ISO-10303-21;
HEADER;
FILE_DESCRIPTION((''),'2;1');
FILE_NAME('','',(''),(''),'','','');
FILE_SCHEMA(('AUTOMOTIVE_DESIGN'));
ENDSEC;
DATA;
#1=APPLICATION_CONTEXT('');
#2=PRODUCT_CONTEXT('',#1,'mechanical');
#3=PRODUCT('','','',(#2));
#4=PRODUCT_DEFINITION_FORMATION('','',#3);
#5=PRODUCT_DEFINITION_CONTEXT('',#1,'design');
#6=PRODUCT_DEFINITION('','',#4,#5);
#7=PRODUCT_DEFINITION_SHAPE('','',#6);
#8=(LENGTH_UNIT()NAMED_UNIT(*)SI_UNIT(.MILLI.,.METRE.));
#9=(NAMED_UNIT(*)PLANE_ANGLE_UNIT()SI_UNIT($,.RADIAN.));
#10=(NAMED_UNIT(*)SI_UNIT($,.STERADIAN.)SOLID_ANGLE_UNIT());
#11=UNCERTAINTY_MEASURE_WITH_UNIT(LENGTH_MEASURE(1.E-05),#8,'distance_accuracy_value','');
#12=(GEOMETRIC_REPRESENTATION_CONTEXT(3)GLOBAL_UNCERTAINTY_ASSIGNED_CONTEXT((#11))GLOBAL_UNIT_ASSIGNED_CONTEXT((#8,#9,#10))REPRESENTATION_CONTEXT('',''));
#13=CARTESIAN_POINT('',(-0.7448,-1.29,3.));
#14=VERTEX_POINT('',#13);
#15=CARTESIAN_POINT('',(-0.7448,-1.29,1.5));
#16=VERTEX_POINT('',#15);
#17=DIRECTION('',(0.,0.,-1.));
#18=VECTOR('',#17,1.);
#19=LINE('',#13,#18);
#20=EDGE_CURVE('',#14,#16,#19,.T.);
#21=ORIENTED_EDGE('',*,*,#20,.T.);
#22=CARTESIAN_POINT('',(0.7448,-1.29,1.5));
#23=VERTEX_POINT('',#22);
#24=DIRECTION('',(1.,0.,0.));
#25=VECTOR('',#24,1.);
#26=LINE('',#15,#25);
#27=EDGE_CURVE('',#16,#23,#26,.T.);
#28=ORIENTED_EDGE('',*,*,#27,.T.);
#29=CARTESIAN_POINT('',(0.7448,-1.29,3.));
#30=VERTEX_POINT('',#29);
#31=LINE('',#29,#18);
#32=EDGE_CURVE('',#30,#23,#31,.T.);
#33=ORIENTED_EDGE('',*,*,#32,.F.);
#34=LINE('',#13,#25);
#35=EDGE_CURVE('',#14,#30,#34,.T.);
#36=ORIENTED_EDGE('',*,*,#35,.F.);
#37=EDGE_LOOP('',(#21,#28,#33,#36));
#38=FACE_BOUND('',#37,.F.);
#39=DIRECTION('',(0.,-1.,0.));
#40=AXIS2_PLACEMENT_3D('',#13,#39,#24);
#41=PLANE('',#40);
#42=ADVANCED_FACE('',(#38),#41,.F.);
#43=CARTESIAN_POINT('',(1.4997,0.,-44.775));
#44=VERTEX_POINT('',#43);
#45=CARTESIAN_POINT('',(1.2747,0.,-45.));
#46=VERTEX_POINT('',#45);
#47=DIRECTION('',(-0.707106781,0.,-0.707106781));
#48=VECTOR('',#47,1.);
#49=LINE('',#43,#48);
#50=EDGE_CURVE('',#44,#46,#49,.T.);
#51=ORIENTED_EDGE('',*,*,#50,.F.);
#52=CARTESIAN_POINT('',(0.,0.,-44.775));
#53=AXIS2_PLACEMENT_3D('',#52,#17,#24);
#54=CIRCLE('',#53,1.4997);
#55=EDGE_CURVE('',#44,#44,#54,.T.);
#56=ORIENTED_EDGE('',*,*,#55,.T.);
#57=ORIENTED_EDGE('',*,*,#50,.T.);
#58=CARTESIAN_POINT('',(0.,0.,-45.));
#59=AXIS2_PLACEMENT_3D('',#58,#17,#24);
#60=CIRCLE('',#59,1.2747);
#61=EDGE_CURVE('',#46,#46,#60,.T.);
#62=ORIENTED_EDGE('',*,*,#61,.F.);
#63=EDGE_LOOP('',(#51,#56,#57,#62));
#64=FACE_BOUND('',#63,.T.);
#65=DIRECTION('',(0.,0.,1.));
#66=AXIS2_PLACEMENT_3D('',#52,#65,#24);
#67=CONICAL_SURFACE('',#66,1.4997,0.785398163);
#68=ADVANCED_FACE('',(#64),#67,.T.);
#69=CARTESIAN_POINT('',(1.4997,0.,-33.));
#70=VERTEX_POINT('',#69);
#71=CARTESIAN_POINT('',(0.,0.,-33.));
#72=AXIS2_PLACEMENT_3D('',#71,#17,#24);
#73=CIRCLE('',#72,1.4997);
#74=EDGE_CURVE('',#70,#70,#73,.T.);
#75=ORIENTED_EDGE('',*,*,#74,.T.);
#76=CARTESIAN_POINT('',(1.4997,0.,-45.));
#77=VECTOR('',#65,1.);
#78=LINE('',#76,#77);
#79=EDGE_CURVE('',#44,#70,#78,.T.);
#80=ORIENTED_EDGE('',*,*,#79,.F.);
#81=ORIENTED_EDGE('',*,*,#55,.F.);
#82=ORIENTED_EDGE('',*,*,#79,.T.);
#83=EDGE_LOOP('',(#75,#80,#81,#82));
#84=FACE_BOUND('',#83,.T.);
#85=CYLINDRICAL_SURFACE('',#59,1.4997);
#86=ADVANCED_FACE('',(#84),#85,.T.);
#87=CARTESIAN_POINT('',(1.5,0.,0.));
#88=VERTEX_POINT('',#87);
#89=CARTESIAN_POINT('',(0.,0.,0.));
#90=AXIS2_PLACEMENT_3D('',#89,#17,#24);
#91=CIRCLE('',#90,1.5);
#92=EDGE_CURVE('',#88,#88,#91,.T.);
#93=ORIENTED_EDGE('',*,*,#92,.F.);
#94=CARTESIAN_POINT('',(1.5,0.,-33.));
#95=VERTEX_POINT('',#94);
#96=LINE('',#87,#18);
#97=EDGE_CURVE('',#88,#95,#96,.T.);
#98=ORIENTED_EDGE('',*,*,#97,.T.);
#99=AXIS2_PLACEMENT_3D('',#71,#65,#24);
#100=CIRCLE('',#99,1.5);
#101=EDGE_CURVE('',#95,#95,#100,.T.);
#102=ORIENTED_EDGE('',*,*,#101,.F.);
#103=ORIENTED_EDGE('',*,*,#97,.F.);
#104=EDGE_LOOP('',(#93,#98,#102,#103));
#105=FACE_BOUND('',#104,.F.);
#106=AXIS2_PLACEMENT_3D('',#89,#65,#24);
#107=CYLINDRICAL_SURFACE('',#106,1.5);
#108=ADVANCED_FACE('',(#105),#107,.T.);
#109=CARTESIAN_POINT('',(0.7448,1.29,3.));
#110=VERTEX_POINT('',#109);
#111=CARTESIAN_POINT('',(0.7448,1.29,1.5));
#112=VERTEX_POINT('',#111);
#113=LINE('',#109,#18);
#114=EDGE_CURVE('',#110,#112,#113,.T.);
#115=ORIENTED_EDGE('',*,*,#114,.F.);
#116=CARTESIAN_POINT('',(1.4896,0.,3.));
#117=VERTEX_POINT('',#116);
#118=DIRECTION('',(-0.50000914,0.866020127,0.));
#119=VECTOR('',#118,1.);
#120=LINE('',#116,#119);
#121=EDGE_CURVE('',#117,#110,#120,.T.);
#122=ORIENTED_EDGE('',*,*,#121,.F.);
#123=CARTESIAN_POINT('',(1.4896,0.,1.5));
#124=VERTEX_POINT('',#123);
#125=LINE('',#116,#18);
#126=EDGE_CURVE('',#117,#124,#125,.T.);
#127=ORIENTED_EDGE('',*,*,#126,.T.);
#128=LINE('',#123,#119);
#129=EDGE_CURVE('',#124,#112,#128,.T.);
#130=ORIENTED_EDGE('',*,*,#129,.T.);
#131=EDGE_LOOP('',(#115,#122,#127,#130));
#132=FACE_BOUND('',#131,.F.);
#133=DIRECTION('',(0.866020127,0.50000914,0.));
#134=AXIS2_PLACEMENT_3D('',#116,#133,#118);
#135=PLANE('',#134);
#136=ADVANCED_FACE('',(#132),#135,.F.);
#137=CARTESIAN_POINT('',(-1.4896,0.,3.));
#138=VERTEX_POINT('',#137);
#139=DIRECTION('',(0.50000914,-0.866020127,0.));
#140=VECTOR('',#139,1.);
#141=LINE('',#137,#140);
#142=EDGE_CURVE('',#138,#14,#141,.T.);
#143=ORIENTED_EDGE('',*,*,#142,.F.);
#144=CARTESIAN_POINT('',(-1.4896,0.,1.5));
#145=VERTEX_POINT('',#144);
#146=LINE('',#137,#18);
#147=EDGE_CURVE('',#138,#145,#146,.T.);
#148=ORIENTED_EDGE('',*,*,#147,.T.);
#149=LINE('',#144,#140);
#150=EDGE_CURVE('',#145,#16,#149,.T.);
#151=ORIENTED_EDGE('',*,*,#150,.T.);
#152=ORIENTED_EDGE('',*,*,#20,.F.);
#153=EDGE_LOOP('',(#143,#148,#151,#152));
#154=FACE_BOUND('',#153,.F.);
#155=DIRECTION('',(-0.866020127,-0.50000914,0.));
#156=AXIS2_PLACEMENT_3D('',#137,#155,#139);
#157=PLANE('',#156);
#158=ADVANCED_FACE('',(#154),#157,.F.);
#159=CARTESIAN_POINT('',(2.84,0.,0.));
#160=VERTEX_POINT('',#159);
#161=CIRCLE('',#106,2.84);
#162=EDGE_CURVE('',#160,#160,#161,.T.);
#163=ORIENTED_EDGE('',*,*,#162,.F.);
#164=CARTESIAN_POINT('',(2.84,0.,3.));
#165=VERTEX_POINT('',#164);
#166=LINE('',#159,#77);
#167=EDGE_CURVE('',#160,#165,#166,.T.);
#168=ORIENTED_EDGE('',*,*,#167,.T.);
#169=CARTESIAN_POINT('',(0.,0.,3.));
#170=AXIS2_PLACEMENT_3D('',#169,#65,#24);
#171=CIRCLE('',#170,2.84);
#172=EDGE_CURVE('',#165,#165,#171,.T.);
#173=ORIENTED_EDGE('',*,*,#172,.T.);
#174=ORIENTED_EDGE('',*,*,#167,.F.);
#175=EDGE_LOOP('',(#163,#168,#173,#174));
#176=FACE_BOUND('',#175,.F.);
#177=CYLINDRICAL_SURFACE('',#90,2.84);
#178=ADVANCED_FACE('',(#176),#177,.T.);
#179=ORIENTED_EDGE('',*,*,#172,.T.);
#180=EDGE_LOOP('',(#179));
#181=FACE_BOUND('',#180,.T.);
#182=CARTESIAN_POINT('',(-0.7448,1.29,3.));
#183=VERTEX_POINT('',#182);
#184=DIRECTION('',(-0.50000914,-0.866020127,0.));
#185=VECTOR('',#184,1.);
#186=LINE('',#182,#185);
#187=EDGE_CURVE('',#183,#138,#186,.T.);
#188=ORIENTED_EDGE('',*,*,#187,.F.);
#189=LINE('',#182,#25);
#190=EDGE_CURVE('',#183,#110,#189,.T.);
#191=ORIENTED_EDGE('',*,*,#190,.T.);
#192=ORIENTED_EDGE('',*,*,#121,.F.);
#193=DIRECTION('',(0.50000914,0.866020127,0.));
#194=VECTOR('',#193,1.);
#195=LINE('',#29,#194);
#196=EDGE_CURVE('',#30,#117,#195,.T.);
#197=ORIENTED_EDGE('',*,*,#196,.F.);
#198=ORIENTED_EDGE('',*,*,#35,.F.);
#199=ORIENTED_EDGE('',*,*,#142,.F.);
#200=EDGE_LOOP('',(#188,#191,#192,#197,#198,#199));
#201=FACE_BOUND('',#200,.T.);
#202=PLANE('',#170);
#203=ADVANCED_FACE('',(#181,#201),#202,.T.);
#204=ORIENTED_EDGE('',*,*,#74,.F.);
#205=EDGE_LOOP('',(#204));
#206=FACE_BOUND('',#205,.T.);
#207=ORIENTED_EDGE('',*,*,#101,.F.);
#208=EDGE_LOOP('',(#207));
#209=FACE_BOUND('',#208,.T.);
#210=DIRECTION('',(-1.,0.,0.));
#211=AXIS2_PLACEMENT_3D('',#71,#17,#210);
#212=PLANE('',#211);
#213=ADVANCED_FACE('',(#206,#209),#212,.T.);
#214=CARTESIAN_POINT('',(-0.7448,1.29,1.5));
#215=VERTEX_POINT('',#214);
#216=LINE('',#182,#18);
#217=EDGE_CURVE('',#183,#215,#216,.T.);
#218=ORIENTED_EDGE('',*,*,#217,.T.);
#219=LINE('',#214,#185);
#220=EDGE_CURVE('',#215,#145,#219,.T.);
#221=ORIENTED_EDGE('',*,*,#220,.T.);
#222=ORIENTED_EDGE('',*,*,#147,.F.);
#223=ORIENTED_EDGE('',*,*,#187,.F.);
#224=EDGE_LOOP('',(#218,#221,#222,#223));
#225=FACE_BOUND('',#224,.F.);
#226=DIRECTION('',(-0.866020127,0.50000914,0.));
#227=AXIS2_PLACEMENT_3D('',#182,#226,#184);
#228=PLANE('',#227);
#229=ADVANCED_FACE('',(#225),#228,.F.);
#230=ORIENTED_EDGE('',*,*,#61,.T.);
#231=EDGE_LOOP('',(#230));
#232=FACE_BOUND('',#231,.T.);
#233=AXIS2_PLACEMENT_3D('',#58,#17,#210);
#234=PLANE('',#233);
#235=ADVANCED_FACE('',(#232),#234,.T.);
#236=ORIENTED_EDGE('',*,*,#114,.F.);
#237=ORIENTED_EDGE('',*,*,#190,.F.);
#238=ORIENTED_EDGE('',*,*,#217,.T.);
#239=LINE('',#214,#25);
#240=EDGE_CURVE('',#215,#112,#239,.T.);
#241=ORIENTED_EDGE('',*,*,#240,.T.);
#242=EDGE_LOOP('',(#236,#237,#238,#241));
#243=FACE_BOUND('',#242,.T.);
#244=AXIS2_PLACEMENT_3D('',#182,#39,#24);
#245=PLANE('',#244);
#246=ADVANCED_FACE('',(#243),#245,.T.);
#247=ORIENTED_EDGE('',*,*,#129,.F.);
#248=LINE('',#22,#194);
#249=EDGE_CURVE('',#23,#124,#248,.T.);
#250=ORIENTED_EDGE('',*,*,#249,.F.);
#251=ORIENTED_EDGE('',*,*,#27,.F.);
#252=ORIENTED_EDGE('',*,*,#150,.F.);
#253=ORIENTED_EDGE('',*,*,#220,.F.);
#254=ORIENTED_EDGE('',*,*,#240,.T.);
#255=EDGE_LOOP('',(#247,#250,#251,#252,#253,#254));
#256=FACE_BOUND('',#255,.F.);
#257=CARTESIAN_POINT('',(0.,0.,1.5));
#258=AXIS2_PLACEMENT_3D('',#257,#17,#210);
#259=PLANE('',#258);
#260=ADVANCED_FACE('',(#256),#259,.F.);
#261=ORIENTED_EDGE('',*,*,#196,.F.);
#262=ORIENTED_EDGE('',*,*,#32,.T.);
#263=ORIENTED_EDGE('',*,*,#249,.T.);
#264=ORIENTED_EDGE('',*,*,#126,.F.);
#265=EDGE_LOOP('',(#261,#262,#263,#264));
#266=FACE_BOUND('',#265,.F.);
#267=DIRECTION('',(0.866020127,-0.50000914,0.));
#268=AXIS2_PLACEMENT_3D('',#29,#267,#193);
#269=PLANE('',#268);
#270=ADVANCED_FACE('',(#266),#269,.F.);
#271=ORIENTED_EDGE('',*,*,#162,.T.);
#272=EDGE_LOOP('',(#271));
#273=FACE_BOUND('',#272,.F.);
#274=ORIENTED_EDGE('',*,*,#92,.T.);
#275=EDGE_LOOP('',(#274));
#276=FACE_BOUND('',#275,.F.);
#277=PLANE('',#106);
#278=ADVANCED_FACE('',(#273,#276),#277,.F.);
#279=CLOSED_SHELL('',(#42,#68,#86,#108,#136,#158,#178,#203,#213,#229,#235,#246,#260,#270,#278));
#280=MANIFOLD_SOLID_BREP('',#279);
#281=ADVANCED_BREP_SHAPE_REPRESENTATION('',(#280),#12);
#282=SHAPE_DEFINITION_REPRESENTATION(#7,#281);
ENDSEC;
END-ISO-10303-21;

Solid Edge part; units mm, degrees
sketch "Sketch1" plane through (0, 0, 0) normal (0, 0, 1) x (1, 0, 0)
  circle A0 centre (0, 0) radius 2.84
  dimension "D1" = 5.68
extrude "Protrusion1" add sketch "Sketch1" along normal blind 3
sketch "Sketch2" plane through (0, 0, 0) normal (0, 0, -1) x (1, 0, 0)
  circle A0 centre (0, 0) radius 1.5
extrude "Protrusion2" add sketch "Sketch2" along normal blind 45
sketch "Sketch3" plane through (0, 0, -45) normal (0, 0, -1) x (1, 0, 0)
  circle A0 centre (0, 0) radius 1.4997
extrude "Cutout1" cut sketch "Sketch3" against normal blind 12 flip side to cut
chamfer "Chamfer_1" distance 0.225 angle 45 1 edges at (-1.4997, 0, -45)
sketch "Sketch4" plane through (0, 0, 3) normal (0, 0, 1) x (1, 0, 0)
  line L0 (-0.7448, 1.29) -> (0.7448, 1.29)
  line L1 (1.4896, 0) -> (0.7448, 1.29)
  line L2 (0.7448, -1.29) -> (1.4896, 0)
  line L3 (-0.7448, -1.29) -> (0.7448, -1.29)
  line L4 (-1.4896, 0) -> (-0.7448, -1.29)
  line L5 (-0.7448, 1.29) -> (-1.4896, 0)
  dimension "D1" = 2.58
extrude "Cutout2" cut sketch "Sketch4" against normal blind 1.5
properties part number "161637"
